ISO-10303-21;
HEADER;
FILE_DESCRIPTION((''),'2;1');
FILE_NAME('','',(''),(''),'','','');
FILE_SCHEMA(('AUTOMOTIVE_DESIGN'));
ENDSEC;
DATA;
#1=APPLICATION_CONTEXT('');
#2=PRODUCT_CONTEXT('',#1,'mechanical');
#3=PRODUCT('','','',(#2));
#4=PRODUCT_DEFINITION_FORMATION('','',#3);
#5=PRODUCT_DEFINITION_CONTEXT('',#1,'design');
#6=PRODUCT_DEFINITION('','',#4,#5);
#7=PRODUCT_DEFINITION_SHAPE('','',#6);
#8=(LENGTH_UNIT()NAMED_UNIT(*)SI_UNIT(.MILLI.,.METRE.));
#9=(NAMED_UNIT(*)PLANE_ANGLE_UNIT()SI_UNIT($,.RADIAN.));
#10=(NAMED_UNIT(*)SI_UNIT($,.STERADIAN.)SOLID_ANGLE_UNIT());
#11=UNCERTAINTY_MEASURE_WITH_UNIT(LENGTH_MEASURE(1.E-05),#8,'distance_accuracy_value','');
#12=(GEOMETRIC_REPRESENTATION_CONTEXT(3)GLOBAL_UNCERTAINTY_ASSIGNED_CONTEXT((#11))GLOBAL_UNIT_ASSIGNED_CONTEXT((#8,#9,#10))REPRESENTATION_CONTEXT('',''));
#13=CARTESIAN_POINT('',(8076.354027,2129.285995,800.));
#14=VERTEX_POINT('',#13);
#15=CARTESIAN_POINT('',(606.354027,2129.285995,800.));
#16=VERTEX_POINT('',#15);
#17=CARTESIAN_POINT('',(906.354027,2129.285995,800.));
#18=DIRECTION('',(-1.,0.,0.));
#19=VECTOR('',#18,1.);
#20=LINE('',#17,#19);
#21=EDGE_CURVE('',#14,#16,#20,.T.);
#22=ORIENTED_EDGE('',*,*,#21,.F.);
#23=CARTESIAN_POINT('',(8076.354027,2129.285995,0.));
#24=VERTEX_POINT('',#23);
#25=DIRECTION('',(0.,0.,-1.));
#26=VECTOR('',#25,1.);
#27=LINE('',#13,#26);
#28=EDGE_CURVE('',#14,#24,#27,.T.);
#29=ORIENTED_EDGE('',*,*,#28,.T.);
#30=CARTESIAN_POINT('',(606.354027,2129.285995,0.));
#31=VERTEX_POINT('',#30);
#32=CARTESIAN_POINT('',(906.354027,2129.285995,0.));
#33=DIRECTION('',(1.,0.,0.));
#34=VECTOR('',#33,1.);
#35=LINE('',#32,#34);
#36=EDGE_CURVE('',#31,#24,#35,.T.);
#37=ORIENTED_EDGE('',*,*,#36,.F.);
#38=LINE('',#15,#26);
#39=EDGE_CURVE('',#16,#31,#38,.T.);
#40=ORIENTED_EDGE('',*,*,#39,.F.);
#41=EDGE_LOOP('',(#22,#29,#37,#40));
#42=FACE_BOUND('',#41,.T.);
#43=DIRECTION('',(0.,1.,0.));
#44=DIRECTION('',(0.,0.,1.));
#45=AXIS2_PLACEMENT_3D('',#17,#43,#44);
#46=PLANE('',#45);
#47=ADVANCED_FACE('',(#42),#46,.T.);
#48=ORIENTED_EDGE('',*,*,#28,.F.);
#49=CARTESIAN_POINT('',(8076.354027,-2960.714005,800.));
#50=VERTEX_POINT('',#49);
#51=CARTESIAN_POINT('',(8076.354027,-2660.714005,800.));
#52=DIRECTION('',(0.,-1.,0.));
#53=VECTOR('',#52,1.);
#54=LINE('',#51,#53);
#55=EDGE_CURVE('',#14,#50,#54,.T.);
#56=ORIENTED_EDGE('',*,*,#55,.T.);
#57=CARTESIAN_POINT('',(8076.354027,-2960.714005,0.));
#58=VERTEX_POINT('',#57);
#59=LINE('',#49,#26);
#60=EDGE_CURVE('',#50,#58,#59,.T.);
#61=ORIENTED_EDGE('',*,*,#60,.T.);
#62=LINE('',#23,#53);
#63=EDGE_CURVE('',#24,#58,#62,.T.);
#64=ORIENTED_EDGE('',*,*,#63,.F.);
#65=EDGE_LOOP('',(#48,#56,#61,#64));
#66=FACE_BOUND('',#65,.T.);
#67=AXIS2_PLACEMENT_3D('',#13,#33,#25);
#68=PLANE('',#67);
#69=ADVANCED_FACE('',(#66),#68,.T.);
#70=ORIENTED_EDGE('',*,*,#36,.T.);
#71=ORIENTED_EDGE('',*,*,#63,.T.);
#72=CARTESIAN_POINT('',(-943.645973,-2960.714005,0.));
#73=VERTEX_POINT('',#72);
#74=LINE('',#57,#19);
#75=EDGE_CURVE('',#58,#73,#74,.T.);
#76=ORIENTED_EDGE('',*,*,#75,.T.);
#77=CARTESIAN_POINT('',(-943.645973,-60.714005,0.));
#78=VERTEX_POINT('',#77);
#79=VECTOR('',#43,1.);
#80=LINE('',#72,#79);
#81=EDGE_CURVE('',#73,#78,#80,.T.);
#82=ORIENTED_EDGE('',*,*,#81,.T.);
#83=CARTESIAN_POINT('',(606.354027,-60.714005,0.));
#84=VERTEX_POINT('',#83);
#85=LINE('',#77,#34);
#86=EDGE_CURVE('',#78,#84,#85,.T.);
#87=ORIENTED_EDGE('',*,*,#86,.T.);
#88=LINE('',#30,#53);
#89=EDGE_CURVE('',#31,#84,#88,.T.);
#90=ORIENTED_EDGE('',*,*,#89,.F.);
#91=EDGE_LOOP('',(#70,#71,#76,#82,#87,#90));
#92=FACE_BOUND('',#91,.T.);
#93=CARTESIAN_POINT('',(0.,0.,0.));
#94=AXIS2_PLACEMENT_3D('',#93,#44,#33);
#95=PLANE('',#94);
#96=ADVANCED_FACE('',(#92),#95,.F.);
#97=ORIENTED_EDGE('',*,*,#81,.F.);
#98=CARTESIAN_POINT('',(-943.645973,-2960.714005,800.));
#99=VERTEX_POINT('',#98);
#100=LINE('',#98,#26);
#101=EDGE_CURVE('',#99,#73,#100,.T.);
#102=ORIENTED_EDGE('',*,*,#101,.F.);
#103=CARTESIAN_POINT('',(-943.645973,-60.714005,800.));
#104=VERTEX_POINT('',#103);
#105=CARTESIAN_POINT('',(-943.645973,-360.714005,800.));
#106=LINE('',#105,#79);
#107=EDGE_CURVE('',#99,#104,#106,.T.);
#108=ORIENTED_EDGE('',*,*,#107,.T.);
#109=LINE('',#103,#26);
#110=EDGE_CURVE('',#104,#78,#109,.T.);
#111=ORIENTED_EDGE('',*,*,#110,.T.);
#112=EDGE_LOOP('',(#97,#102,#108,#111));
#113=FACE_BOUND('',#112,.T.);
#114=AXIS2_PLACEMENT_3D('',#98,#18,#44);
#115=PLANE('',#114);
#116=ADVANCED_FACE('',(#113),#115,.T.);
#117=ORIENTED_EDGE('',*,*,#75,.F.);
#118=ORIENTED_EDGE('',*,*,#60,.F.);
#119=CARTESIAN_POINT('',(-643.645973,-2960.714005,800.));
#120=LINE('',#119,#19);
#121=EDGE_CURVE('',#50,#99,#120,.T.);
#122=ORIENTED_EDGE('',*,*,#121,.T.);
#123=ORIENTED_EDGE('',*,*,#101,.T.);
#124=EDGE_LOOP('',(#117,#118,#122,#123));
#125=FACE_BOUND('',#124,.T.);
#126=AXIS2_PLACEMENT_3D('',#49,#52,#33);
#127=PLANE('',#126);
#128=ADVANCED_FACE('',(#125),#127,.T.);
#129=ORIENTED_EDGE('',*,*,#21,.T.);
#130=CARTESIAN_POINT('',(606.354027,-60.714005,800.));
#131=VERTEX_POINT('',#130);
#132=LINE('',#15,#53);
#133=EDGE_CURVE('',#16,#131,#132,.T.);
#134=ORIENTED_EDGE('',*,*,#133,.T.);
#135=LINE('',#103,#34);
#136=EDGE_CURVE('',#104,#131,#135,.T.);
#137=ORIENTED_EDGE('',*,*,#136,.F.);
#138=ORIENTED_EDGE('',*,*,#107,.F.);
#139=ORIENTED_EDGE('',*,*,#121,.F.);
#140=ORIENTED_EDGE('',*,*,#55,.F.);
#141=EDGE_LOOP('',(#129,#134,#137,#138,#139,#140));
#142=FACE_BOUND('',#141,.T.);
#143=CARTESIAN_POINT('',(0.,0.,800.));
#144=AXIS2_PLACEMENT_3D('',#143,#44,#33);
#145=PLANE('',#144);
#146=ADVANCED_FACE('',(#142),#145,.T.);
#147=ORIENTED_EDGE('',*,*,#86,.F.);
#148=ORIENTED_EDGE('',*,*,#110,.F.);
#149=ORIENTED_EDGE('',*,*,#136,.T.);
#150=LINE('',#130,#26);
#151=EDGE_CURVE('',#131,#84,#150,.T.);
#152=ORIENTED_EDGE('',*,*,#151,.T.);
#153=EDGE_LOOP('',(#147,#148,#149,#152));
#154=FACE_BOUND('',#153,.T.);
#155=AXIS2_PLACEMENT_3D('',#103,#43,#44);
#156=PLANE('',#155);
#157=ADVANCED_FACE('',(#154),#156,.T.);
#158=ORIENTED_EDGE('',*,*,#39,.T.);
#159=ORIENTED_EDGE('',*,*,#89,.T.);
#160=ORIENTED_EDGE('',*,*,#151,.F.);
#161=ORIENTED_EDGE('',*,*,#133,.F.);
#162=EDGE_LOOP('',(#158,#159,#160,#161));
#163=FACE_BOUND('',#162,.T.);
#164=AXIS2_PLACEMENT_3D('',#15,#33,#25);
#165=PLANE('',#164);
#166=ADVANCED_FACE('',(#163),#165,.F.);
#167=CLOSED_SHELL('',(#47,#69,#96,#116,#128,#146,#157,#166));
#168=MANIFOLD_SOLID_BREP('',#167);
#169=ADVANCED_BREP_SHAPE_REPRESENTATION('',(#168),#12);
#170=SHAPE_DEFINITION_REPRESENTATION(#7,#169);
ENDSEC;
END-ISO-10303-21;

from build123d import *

# Parameters (mm, degrees)
EXTRUDE_1_DEPTH = 800


with BuildPart() as part:
    # Эскиз1 → Бобышка-Вытянуть1 (new body)
    with BuildSketch(Plane.XY):
        Polygon((906.35402749, 2129.285994672), (7776.35402749, 2129.285994672), (8076.35402749, 2129.285994672), (8076.35402749, -2660.714005328), (8076.35402749, -2960.714005328), (-643.64597251, -2960.714005328), (-943.64597251, -2960.714005328), (-943.64597251, -360.714005328), (-943.64597251, -60.714005328), (606.35402749, -60.714005328), (606.35402749, 2129.285994672), align=None)
    extrude(amount=EXTRUDE_1_DEPTH)


solid = part.part
